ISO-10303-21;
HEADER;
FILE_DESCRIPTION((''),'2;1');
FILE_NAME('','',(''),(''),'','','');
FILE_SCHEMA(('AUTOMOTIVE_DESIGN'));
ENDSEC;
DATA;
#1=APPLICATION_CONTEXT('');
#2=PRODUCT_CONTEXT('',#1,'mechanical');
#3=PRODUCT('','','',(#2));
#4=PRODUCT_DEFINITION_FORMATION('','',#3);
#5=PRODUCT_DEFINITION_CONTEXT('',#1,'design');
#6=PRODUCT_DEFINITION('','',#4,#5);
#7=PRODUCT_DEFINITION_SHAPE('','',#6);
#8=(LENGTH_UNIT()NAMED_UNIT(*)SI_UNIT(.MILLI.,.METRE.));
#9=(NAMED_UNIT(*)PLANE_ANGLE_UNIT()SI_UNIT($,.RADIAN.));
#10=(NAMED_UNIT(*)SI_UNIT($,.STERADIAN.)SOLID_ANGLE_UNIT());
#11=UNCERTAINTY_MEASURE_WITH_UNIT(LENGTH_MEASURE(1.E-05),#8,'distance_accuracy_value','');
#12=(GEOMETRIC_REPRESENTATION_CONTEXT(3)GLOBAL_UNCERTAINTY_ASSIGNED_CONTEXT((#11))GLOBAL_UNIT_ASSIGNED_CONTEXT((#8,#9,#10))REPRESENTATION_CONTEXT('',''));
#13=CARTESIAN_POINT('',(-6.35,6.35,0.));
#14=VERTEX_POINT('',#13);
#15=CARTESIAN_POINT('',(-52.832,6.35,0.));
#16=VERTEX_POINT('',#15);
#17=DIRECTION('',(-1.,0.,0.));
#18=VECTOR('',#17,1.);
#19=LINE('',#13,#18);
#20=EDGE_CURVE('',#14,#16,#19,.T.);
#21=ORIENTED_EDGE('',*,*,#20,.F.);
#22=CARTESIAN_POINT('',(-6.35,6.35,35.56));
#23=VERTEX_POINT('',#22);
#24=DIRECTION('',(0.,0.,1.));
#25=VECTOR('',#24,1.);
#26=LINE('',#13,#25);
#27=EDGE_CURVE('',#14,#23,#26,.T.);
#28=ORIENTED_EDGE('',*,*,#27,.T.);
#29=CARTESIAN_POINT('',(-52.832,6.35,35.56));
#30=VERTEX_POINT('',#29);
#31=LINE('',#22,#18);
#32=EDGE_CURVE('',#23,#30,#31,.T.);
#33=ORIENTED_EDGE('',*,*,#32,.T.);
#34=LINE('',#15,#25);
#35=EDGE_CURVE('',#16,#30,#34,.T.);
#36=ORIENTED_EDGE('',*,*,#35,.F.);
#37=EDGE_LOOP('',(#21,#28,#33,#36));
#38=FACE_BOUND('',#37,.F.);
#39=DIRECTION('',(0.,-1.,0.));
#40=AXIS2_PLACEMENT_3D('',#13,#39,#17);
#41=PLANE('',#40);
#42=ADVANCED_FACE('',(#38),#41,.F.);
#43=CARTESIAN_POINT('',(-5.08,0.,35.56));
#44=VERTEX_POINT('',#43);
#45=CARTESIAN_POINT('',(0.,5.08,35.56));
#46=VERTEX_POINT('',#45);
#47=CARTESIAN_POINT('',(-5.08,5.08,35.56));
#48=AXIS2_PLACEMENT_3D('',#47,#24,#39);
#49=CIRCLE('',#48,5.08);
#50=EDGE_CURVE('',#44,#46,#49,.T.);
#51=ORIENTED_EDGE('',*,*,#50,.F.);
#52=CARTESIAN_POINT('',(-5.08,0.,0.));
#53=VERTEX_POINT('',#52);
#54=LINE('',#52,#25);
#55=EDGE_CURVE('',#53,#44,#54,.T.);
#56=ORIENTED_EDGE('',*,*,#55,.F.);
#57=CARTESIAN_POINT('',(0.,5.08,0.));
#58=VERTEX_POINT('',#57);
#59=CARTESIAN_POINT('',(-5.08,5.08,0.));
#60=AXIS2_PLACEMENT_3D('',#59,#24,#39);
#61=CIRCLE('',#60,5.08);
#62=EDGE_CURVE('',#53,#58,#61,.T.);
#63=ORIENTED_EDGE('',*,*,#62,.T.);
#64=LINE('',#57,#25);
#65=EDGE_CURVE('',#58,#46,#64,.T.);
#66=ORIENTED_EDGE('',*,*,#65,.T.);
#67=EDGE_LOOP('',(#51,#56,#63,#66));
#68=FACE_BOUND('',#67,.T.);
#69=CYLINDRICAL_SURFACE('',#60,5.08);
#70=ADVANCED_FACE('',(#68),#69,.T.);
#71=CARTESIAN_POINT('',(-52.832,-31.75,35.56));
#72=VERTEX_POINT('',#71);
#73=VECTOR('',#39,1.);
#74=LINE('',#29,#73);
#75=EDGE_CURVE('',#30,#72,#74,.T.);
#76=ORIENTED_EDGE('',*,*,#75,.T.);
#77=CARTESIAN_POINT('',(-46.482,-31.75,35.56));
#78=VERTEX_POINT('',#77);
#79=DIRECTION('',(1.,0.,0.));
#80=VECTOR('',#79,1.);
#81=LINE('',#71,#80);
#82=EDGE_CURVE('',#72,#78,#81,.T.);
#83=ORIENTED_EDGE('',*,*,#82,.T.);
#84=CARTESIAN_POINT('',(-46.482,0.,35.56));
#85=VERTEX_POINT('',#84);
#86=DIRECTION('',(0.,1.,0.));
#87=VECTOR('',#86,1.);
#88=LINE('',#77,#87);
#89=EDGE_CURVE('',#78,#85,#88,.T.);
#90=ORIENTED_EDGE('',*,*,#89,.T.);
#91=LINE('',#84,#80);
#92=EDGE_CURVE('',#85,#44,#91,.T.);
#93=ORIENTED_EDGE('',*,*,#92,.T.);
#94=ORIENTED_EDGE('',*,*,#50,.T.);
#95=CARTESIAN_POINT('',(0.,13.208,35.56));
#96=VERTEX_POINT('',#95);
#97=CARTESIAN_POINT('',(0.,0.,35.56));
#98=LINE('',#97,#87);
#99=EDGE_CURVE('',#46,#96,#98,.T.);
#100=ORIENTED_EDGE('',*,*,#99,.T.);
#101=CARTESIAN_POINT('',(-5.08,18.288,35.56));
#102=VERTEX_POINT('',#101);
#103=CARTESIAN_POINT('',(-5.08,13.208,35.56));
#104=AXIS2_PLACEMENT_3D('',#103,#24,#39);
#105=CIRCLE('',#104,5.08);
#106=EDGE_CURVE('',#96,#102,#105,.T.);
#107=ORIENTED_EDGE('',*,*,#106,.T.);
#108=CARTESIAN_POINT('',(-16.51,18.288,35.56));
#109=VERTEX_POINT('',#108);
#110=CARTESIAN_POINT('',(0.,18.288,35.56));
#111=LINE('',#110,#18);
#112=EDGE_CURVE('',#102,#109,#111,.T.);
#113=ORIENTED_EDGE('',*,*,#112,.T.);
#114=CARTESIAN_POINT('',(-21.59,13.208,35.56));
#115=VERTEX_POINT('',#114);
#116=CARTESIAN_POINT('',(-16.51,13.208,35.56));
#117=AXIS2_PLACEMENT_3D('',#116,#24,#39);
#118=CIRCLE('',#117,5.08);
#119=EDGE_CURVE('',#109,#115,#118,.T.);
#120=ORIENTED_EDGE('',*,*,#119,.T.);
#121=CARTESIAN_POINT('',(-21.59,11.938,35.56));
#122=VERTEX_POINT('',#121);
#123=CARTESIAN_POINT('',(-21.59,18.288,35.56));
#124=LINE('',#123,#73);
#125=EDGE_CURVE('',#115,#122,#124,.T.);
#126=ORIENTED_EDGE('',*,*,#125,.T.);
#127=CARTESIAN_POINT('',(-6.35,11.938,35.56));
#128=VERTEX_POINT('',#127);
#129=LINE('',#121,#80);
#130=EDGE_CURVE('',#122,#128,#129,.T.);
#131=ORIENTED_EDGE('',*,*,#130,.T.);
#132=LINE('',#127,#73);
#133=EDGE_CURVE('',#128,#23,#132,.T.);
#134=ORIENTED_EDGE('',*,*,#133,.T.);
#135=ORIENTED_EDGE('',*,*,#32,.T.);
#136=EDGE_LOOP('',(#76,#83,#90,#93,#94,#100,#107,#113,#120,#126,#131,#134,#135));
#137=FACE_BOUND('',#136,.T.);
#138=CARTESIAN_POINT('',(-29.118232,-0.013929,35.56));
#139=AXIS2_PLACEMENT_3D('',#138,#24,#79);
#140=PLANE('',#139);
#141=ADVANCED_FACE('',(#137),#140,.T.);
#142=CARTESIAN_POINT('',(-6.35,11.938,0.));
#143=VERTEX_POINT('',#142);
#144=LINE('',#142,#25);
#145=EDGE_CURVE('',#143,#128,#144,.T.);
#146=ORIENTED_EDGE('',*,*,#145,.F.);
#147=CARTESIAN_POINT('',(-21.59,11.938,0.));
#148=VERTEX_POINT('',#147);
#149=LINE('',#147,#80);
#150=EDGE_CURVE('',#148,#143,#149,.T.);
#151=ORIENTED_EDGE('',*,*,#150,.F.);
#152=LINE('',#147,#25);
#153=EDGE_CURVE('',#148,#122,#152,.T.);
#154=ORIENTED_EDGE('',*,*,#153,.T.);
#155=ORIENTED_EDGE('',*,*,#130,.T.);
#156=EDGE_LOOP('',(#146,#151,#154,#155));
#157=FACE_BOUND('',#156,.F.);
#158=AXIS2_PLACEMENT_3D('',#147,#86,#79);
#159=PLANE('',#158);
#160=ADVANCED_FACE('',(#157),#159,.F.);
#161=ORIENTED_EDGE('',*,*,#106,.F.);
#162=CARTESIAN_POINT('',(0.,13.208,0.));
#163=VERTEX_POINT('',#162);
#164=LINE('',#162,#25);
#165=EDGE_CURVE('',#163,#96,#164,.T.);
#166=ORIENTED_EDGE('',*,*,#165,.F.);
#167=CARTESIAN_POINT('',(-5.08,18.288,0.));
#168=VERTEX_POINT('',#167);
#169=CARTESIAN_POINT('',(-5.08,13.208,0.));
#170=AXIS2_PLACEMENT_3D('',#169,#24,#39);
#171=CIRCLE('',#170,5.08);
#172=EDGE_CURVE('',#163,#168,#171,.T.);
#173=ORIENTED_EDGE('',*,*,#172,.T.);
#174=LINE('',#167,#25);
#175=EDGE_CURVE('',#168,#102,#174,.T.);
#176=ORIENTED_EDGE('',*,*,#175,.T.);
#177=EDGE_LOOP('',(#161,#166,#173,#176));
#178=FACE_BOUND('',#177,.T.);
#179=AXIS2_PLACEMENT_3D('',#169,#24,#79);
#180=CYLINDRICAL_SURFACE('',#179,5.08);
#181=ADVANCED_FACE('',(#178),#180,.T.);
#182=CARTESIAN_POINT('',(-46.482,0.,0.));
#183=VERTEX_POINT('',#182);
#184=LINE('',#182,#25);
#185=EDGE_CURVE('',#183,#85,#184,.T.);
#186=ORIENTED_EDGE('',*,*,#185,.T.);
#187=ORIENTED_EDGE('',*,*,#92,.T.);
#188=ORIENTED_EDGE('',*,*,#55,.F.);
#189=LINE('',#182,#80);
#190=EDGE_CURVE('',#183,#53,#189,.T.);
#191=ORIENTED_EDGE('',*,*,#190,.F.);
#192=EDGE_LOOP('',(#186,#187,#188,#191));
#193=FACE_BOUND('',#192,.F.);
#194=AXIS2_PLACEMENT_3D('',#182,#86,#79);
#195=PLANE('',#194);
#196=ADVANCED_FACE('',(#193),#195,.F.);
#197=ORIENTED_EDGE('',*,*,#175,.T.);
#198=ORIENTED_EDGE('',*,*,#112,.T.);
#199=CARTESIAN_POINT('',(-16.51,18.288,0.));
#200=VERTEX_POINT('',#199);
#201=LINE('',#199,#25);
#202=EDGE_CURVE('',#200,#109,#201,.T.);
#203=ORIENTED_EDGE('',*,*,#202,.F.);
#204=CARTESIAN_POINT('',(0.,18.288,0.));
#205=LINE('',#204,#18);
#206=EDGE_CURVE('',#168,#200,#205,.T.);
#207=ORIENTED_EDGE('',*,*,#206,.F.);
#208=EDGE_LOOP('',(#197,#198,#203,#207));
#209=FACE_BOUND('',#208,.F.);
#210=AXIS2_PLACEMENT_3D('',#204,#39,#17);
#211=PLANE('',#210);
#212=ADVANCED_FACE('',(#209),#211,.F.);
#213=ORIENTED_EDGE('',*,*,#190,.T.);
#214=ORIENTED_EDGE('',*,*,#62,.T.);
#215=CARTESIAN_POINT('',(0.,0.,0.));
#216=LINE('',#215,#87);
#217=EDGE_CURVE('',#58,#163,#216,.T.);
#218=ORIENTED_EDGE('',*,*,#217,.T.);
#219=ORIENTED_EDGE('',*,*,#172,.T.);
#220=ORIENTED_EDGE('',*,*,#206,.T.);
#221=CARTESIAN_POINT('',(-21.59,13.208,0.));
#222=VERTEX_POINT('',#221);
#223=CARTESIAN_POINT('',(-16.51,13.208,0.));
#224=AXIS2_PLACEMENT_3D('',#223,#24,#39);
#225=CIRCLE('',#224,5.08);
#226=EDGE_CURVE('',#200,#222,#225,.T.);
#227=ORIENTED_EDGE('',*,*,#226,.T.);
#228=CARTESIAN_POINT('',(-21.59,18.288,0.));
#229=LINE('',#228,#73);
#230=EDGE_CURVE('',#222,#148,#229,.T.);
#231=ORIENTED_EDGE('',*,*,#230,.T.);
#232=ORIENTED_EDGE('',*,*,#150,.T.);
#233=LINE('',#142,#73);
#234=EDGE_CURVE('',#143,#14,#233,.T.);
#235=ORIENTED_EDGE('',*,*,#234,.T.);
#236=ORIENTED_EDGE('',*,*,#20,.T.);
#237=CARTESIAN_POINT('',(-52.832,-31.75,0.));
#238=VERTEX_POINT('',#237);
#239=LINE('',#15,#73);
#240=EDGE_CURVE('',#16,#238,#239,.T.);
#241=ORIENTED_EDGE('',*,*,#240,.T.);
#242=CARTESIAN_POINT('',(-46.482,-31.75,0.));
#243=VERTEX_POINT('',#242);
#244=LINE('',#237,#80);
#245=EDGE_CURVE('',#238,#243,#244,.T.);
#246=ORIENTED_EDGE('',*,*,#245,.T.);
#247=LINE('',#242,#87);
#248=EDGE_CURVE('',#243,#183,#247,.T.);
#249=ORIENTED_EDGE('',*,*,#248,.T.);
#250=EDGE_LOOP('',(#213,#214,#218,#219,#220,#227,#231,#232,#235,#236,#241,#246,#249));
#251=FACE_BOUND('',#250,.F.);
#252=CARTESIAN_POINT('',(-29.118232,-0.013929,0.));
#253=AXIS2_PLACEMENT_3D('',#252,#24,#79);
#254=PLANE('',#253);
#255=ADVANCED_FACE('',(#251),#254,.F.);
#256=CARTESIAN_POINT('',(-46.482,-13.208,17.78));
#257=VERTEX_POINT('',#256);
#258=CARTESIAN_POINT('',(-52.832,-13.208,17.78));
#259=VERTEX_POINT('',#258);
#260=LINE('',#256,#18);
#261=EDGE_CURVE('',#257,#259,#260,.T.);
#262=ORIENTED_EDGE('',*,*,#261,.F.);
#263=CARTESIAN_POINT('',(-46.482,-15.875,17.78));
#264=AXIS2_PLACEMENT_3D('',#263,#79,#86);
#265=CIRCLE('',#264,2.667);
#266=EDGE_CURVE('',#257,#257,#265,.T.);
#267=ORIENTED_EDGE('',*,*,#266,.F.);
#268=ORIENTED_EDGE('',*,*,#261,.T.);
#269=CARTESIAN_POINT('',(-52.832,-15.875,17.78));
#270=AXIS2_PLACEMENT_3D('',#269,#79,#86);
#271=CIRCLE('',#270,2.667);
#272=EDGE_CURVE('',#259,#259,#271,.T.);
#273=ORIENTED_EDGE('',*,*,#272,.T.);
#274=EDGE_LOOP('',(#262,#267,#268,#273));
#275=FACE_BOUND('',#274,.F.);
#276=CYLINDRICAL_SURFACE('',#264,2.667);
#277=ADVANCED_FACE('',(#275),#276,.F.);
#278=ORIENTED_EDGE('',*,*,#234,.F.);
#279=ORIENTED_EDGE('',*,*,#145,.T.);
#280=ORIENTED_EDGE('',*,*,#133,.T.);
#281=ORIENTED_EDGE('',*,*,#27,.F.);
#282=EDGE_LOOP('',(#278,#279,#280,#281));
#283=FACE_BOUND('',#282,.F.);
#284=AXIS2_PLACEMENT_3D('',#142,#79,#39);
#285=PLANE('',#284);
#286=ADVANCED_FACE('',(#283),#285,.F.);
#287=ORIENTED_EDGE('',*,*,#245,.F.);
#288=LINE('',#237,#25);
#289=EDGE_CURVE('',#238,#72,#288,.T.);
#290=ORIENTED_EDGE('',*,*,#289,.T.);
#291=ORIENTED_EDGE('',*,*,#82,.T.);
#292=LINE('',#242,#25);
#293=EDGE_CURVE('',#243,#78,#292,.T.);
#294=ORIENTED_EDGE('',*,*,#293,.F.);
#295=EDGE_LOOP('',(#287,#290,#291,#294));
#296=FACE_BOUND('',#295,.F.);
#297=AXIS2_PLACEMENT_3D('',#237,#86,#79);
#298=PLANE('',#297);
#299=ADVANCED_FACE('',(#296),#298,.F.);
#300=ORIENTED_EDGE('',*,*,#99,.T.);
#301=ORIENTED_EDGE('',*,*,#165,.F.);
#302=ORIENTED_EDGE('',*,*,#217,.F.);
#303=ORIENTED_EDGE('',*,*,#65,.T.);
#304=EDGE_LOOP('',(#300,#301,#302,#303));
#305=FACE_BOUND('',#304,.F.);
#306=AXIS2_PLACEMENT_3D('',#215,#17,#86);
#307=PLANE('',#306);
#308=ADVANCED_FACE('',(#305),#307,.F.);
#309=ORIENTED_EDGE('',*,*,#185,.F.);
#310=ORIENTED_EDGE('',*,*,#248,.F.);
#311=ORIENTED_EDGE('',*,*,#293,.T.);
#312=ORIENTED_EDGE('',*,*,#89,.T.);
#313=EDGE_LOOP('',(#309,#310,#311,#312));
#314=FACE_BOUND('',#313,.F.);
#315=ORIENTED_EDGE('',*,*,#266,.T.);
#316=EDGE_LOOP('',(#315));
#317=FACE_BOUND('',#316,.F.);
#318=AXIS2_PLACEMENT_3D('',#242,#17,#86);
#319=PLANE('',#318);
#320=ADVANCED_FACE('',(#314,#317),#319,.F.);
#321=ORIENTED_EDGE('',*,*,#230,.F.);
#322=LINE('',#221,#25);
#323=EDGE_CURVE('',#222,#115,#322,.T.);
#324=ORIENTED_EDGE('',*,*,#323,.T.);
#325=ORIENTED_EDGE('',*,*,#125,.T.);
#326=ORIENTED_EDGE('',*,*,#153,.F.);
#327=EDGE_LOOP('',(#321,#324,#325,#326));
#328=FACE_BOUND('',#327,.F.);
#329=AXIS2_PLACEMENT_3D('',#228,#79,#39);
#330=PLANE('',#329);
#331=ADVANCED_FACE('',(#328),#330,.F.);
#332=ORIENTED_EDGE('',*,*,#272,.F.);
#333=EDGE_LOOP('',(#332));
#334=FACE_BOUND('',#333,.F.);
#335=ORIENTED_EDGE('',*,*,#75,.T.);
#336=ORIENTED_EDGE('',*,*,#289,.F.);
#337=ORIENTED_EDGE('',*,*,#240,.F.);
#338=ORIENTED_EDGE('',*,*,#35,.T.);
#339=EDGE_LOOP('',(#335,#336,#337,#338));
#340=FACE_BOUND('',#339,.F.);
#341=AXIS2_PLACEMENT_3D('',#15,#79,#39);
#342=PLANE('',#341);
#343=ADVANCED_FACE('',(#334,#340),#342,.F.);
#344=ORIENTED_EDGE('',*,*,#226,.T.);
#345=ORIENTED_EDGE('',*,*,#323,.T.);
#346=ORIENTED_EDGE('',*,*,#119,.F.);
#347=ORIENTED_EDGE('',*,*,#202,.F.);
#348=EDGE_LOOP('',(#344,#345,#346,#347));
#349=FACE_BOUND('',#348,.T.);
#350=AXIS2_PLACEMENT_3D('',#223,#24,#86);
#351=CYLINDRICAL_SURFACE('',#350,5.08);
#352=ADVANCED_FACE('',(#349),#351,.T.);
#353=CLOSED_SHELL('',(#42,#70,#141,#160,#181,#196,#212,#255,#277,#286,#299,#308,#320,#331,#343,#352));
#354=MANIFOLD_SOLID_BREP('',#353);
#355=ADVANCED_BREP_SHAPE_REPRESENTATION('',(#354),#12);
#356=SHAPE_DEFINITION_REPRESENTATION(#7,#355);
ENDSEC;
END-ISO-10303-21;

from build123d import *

# Parameters (mm, degrees)
F1_DEPTH = 35.56
F2_R     = 2.667
F3_DEPTH = 25.4
F4_R     = 5.08


with BuildPart() as f1:
    # F0 (on Top) → F1 (new body)
    with BuildSketch(Plane.XY):
        Polygon((-46.482, 0), (0, 0), (0, 18.288), (-21.59, 18.288), (-21.59, 11.938), (-6.35, 11.938), (-6.35, 6.35), (-52.832, 6.35), (-52.832, -31.75), (-46.482, -31.75), align=None)
    extrude(amount=F1_DEPTH)

    # F2 (on face) → F3 (cut)
    with BuildSketch(Plane.YZ.offset(-46.482)):
        with Locations((-15.875, 17.78)):
            Circle(F2_R)
    extrude(amount=-F3_DEPTH, mode=Mode.SUBTRACT)

    # F4
    f4_edges = [f1.edges().sort_by_distance(p)[0] for p in [
        (0, 0, 17.78),
        (0, 18.288, 17.78),
        (-21.59, 18.288, 17.78),
    ]]
    fillet(f4_edges, radius=F4_R)


solid = f1.part
